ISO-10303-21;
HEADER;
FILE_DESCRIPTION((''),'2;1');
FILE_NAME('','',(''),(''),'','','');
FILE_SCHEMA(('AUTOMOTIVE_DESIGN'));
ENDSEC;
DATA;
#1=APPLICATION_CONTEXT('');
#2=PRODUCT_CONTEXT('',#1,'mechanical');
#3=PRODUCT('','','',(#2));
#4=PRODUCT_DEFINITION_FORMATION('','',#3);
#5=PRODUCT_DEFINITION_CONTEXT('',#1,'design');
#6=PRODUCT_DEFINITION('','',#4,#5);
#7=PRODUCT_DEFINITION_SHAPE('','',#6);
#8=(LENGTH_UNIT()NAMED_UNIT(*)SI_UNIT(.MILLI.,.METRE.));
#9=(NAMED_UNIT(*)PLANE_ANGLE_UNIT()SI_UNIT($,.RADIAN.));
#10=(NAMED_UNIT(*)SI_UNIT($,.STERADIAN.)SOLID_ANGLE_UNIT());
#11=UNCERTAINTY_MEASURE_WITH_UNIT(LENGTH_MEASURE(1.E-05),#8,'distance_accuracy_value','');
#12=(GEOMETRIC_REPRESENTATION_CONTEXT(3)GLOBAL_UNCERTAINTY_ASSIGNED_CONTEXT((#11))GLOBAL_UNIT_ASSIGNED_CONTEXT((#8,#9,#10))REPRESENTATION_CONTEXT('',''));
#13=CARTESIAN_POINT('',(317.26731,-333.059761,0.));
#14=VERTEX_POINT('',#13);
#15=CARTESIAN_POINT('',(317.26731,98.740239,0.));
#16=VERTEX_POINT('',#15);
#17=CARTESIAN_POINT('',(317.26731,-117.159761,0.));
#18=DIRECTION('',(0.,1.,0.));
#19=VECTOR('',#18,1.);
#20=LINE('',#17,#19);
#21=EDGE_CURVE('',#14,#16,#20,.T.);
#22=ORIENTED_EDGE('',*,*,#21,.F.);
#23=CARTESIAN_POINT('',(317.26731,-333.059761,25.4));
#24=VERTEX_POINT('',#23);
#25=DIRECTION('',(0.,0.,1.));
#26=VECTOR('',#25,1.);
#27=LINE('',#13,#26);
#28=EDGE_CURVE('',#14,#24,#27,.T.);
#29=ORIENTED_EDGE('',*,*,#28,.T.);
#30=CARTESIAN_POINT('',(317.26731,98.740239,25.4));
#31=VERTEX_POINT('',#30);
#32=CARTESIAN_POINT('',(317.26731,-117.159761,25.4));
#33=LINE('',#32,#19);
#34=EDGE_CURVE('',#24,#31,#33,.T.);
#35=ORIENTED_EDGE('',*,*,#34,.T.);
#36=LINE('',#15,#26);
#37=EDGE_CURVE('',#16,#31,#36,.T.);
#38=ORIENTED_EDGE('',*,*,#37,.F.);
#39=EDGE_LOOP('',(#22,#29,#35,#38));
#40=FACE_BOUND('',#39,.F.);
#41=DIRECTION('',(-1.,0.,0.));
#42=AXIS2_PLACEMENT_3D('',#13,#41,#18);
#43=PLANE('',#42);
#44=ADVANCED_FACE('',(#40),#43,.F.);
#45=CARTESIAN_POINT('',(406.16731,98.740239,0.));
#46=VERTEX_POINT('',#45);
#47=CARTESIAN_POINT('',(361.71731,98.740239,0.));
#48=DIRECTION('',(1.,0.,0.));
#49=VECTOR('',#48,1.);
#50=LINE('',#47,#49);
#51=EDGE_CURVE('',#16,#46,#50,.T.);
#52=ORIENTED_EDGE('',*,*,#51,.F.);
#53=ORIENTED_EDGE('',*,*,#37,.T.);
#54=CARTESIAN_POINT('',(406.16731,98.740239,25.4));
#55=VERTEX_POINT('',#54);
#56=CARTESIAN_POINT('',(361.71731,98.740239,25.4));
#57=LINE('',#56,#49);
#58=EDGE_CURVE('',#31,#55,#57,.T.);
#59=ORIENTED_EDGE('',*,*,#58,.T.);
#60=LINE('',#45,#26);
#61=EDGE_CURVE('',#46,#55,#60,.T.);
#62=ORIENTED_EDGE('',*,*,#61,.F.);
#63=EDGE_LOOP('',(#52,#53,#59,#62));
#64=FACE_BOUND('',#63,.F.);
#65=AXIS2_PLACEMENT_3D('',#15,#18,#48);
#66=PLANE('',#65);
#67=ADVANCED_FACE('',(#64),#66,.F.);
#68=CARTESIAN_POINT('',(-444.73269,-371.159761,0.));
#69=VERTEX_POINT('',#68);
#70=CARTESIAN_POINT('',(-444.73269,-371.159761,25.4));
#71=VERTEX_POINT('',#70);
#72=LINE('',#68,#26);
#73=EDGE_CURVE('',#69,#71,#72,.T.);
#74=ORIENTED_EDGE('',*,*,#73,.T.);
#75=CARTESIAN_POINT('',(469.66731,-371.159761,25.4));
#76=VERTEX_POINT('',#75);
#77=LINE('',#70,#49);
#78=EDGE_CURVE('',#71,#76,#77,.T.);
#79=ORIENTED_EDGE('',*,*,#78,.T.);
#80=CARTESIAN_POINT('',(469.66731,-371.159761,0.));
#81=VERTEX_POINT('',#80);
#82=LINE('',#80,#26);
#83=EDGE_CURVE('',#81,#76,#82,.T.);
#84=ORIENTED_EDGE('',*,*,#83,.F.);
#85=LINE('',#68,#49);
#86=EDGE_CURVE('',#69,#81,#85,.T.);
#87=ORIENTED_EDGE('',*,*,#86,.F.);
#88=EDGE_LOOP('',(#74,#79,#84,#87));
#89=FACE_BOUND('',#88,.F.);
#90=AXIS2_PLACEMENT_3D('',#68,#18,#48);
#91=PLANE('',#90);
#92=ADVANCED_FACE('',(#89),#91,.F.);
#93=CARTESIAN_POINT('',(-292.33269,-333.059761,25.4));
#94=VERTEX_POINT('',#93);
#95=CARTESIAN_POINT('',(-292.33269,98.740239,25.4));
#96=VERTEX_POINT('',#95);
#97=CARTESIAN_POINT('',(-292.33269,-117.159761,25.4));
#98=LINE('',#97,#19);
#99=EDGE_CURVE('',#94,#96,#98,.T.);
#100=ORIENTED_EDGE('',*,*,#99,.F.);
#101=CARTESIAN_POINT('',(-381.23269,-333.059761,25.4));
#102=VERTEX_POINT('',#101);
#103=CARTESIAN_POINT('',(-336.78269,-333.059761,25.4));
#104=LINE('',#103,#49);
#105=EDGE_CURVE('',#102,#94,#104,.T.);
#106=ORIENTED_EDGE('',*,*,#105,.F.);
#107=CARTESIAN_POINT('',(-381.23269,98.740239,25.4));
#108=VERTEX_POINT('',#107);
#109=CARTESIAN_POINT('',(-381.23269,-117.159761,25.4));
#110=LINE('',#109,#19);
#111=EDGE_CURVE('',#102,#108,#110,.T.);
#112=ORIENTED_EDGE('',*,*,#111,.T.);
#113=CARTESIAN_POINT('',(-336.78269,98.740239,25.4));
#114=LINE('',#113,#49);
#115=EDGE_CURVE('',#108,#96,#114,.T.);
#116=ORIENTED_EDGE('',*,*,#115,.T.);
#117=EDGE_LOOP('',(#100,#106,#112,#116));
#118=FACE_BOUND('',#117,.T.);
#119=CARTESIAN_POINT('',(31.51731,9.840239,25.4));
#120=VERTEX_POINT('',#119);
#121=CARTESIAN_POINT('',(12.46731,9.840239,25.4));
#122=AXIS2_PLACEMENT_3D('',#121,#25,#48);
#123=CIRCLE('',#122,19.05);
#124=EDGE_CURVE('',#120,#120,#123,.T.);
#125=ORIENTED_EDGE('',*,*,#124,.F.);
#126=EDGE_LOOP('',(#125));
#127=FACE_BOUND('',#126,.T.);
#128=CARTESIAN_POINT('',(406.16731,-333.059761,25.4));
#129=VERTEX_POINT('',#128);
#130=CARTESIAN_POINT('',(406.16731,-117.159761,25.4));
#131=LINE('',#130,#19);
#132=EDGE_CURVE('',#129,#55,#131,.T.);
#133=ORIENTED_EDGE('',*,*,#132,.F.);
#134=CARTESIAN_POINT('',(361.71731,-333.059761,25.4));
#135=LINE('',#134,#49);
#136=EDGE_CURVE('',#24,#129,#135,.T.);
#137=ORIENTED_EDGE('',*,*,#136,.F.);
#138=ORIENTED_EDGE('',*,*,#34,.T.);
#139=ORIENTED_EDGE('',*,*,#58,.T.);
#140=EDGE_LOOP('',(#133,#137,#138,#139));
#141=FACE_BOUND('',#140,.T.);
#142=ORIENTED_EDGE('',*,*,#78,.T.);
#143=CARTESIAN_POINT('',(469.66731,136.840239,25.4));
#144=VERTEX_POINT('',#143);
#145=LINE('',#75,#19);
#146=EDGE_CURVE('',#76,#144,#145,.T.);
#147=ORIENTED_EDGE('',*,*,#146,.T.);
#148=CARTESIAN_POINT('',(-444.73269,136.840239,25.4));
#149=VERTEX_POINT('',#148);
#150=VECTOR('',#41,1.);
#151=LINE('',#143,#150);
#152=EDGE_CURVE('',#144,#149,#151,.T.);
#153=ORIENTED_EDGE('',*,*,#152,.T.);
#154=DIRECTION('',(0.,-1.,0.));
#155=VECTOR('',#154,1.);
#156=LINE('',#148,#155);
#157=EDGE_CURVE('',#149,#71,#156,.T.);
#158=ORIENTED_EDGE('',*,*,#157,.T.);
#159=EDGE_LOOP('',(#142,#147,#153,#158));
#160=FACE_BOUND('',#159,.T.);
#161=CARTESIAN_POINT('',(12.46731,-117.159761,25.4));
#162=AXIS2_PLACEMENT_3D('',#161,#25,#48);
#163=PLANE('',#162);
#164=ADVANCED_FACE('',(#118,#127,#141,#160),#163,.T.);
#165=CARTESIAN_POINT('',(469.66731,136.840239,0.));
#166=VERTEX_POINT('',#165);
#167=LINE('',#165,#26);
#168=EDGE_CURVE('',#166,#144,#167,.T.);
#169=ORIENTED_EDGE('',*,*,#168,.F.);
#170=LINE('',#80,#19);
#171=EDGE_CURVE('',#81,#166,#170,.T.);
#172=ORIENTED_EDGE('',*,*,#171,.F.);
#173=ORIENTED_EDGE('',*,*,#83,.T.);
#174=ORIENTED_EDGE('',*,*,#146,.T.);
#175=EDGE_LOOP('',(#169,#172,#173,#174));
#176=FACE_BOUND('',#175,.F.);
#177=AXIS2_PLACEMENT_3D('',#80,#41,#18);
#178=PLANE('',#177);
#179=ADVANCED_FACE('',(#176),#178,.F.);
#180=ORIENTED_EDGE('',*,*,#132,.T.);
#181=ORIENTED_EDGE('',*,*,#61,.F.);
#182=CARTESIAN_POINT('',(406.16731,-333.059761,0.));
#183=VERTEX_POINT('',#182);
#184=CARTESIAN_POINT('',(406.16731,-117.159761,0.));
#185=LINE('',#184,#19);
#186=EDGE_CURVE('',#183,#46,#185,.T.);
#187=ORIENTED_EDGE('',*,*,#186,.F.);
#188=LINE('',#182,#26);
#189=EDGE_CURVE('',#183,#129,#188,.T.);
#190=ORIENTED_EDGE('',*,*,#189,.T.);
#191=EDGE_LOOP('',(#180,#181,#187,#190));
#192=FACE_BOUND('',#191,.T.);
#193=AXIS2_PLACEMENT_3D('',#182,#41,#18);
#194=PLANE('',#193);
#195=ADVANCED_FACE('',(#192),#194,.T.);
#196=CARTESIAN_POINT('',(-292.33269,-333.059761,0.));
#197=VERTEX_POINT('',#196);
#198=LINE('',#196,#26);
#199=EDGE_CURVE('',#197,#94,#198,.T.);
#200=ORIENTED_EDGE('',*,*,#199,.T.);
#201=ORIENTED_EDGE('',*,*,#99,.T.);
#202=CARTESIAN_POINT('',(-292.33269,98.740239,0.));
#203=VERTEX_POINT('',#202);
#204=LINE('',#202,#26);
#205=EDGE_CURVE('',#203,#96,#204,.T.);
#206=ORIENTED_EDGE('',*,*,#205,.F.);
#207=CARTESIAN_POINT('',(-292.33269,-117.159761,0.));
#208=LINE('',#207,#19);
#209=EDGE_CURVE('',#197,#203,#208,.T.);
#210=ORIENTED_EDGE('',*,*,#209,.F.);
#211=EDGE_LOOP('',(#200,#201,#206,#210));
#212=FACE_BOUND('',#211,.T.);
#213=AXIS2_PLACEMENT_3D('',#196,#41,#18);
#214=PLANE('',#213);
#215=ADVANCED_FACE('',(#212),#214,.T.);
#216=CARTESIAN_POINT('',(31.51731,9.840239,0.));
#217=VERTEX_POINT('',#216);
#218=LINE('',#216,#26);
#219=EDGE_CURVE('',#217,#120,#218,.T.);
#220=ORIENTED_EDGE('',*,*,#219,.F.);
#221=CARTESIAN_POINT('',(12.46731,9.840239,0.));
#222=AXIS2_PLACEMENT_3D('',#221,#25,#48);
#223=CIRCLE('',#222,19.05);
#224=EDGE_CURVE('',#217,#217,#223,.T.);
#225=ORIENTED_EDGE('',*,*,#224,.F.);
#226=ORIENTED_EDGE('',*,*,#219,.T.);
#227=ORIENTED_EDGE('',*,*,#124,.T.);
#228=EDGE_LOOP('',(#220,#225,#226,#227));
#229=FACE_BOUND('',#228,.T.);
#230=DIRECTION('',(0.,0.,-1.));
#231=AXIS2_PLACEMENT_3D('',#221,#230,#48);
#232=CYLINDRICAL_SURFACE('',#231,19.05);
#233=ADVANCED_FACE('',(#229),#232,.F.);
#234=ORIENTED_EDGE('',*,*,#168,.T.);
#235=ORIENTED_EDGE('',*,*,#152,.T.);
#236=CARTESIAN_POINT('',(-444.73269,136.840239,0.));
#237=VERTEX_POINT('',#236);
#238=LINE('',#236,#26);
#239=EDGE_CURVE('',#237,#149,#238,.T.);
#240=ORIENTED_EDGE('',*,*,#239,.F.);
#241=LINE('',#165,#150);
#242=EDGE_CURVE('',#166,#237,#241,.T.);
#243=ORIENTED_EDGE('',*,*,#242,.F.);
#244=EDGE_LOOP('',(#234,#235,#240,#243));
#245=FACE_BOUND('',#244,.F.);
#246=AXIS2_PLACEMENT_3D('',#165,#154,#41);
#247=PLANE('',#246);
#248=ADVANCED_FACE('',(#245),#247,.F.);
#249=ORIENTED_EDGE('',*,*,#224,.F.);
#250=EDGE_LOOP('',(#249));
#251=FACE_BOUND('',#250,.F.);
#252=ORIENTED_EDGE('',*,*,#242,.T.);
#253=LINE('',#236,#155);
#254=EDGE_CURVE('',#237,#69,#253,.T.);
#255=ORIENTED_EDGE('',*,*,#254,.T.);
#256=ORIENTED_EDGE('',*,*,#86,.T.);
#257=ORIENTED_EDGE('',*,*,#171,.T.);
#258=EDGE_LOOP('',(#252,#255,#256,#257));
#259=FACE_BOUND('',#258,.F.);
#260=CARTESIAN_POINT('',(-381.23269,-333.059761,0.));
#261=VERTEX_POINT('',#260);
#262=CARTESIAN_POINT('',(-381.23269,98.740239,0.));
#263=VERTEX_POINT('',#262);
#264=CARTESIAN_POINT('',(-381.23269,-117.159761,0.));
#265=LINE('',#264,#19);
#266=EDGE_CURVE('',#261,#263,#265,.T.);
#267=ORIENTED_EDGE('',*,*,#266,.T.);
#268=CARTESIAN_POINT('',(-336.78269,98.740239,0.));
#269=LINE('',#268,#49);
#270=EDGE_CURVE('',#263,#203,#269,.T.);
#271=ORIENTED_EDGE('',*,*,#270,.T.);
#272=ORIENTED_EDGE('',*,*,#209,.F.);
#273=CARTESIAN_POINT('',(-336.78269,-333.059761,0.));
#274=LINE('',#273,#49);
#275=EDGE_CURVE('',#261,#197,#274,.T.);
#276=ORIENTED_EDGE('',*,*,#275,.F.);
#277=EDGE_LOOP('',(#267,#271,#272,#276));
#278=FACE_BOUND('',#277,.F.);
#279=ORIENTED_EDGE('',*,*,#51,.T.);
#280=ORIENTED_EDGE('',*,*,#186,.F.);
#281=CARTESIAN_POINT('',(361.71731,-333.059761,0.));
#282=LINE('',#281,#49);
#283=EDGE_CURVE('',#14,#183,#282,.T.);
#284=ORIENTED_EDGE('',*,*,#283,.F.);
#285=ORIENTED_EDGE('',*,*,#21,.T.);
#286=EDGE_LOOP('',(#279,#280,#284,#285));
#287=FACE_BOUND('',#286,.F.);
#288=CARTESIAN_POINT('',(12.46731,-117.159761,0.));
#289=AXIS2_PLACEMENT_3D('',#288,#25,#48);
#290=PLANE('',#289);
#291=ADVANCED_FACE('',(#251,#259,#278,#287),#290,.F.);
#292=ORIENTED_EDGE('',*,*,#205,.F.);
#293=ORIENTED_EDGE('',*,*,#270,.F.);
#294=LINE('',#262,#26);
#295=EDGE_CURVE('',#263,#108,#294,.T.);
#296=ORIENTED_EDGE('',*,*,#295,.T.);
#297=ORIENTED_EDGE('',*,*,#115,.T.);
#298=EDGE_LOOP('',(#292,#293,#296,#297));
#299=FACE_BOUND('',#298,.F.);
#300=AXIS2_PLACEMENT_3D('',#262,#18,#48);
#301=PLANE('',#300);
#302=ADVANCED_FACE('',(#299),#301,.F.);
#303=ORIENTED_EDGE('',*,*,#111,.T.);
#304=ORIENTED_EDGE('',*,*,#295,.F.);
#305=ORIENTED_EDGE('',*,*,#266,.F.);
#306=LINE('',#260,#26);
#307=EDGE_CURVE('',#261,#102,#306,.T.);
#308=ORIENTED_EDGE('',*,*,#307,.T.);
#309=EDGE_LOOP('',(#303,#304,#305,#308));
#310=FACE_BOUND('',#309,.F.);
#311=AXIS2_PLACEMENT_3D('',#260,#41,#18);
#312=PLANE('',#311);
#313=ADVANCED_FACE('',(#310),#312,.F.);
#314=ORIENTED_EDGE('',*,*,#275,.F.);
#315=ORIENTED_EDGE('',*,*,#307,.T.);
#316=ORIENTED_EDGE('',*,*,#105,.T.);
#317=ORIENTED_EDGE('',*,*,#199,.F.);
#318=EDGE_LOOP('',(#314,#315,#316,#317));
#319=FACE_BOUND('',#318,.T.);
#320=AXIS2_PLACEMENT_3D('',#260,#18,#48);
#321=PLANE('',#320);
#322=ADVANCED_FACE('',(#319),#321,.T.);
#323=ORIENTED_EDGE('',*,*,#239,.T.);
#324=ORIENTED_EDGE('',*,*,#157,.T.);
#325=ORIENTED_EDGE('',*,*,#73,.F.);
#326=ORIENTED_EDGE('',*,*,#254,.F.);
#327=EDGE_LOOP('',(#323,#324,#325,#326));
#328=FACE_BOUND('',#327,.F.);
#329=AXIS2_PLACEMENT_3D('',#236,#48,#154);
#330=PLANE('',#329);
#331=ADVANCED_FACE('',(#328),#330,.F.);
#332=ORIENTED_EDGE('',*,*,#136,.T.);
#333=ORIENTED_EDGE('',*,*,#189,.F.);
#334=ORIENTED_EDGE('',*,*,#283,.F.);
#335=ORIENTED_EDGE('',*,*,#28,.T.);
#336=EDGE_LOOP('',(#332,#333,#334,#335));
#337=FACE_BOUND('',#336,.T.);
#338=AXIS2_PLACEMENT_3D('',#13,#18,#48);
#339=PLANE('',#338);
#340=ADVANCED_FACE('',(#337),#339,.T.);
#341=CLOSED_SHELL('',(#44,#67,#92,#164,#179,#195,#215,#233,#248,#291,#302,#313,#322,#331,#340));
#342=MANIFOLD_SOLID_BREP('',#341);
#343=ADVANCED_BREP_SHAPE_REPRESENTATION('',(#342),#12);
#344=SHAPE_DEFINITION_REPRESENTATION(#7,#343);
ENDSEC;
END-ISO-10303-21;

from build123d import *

# Parameters (mm, degrees)
F0_W     = 88.9
F0_H     = 431.8
F0_R     = 19.05
F1_DEPTH = 25.4


with BuildPart() as f1:
    # F0 (on Top) → F1 (new body)
    with BuildSketch(Plane.XY):
        Polygon((469.66731, 136.840239), (-444.73269, 136.840239), (-444.73269, -333.059761), (-444.73269, -371.159761), (469.66731, -371.159761), align=None)
        with Locations((-336.78269, -117.159761)):
            Rectangle(F0_W, F0_H, mode=Mode.SUBTRACT)
        with Locations((12.46731, 9.840239)):
            Circle(F0_R, mode=Mode.SUBTRACT)
        with Locations((361.71731, -117.159761)):
            Rectangle(F0_W, F0_H, mode=Mode.SUBTRACT)
    extrude(amount=F1_DEPTH)


solid = f1.part
